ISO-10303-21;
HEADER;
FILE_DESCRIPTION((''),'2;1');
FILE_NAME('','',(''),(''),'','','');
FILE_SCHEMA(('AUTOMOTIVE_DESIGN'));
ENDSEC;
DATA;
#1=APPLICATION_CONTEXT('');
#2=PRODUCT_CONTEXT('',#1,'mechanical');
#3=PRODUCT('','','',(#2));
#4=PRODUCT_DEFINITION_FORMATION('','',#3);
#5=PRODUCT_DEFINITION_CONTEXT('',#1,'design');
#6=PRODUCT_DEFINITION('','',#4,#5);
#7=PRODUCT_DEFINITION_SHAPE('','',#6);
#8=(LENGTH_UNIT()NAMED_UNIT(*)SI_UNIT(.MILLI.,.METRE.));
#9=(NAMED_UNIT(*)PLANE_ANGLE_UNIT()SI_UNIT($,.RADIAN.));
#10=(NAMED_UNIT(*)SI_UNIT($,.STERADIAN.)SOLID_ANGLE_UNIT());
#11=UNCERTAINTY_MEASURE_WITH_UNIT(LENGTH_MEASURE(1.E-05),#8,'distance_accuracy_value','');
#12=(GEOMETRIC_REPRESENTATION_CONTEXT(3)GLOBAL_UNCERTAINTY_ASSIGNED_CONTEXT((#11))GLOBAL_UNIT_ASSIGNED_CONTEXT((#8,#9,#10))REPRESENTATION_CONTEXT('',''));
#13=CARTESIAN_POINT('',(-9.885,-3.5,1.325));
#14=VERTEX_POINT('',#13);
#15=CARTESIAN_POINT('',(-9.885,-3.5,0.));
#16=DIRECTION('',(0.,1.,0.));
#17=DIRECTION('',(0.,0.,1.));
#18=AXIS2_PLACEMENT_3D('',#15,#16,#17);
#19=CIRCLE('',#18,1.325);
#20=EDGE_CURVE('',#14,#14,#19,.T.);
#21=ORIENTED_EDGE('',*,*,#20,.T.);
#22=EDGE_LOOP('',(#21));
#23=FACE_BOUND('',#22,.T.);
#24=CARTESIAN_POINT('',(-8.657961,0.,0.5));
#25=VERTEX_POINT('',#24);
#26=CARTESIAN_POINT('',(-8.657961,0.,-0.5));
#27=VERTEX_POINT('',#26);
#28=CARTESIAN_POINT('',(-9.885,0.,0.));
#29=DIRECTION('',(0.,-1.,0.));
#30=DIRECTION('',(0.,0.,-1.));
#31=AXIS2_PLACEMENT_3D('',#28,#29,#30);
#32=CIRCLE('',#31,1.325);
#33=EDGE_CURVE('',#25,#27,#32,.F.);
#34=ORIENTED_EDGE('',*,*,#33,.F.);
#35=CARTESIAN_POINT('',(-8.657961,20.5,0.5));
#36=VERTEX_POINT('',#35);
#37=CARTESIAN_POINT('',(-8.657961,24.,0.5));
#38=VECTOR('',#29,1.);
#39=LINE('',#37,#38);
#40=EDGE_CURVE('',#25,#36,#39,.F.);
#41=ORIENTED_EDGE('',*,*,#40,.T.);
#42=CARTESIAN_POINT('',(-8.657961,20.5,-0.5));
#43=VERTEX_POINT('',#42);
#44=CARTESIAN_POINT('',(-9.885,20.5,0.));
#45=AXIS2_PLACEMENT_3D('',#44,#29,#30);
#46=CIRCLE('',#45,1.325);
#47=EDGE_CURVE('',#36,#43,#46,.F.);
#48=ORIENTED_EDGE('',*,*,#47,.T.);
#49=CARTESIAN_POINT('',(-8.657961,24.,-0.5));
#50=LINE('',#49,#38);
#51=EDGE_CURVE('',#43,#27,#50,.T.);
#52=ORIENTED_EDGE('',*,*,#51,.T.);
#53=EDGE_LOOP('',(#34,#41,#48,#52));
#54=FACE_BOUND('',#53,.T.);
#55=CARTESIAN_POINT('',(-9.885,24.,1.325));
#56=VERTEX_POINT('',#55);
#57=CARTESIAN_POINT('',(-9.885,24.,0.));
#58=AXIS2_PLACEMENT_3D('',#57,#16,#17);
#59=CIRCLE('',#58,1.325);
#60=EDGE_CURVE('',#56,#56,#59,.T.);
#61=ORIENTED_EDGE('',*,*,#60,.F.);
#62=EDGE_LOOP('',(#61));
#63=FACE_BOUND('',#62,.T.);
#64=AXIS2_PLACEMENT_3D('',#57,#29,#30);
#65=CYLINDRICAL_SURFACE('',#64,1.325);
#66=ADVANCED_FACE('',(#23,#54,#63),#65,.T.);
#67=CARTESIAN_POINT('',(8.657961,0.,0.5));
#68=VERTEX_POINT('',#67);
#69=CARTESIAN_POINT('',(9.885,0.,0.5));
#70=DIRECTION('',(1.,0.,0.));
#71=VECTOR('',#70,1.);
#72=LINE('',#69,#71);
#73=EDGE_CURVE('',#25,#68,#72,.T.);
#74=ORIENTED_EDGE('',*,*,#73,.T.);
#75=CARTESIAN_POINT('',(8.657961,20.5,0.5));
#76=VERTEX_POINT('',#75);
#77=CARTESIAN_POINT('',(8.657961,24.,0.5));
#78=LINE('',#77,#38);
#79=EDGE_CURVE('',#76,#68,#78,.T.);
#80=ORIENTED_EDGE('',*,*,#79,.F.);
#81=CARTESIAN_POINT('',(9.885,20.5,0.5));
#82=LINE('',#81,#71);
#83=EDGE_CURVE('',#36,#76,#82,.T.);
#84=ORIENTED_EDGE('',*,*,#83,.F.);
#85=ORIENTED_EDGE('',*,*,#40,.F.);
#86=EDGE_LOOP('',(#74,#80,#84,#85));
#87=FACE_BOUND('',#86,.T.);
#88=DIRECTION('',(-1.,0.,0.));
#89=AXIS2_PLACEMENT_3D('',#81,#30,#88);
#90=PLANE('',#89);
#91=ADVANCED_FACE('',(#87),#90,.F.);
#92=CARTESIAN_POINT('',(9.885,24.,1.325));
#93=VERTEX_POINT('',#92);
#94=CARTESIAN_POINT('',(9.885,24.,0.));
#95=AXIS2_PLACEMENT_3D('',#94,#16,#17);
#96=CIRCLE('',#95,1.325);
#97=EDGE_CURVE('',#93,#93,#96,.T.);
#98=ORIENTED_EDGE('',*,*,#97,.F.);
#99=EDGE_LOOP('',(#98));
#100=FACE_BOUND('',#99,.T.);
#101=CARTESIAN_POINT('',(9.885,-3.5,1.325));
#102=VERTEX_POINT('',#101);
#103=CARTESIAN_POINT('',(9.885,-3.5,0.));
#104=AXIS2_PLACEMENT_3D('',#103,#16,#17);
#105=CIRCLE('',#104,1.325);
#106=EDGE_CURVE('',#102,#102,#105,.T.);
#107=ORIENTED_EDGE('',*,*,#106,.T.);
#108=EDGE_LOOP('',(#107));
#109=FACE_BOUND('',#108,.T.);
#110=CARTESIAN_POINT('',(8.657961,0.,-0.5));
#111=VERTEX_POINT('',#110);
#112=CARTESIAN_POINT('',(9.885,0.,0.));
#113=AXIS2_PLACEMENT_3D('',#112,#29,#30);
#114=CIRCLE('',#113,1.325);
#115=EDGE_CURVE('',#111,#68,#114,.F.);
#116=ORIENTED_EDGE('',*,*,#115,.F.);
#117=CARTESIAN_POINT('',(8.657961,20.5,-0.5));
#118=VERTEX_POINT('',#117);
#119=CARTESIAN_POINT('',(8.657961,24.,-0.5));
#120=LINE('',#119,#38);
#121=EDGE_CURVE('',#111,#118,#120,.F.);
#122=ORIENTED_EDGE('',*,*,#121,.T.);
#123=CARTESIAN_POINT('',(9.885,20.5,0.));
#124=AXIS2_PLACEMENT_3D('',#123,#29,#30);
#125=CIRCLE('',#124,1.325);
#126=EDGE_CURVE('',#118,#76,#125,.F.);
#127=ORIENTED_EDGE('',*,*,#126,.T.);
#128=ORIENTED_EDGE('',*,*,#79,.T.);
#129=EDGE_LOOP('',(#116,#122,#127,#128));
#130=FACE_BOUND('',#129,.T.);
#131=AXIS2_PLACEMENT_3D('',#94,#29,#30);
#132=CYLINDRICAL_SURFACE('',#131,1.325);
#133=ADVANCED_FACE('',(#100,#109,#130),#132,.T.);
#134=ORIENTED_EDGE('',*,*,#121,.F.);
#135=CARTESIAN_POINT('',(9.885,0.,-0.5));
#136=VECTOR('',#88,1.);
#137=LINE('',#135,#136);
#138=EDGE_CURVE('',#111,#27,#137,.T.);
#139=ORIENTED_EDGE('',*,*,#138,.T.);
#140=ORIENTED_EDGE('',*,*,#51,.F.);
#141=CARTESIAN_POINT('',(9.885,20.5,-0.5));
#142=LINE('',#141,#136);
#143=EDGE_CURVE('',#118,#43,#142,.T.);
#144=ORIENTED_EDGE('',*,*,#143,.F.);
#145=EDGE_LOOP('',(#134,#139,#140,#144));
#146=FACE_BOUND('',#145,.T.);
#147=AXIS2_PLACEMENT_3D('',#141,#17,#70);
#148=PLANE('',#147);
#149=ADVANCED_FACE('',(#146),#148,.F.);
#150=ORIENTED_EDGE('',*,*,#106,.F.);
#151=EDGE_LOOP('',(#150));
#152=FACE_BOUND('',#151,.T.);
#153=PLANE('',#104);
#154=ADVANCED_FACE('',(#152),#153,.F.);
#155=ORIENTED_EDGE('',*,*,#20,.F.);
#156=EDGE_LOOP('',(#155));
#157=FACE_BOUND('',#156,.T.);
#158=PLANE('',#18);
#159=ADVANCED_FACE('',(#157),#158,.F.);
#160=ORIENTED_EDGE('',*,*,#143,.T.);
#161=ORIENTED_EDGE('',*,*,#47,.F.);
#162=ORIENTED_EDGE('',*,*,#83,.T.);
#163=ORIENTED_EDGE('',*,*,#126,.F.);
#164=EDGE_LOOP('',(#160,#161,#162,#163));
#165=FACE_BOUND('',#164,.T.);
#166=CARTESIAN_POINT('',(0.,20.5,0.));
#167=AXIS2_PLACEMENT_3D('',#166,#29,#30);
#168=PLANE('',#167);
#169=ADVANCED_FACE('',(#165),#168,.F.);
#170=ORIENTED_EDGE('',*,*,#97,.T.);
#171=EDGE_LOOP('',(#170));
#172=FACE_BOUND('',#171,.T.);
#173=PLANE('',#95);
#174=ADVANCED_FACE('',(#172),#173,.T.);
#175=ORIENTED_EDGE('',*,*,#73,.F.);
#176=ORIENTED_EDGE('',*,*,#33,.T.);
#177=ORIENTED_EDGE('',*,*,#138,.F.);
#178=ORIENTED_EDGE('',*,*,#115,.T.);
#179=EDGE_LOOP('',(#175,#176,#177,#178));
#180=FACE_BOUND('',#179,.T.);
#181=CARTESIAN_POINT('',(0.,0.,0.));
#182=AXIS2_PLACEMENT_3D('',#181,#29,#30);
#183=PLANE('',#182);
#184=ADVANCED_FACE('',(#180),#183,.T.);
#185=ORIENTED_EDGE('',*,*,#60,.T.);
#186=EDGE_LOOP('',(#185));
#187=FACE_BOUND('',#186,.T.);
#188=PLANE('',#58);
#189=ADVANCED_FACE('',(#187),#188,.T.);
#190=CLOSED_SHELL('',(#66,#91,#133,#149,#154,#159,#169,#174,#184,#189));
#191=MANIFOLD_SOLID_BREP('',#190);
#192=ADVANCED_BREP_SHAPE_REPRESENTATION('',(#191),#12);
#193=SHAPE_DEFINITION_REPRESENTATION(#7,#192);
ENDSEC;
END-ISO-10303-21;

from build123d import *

# Parameters (mm, degrees)
SKETCH1_W           = 19.77
SKETCH1_H           = 1
BOSS_EXTRUDE1_DEPTH = 20.5
SKETCH2_R           = 1.325
BOSS_EXTRUDE2_DEPTH = 13.75


with BuildPart() as part:
    # Sketch1 → Boss-Extrude1 (new body)
    with BuildSketch(Plane(origin=(0, 0, 0), x_dir=(1, 0, 0), z_dir=(0, 1, 0))):
        Rectangle(SKETCH1_W, SKETCH1_H)
    extrude(amount=BOSS_EXTRUDE1_DEPTH)

    # Sketch2 → Boss-Extrude2 (add, symmetric)
    with BuildSketch(Plane(origin=(0, 10.25, 0), x_dir=(1, 0, 0), z_dir=(0, 1, 0))):
        with Locations(Location((-9.885, 0, 0), (0, 0, 270))):
            Circle(SKETCH2_R)
        with Locations(Location((9.885, 0, 0), (0, 0, 270))):
            Circle(SKETCH2_R)
    extrude(amount=BOSS_EXTRUDE2_DEPTH, both=True)


solid = part.part
